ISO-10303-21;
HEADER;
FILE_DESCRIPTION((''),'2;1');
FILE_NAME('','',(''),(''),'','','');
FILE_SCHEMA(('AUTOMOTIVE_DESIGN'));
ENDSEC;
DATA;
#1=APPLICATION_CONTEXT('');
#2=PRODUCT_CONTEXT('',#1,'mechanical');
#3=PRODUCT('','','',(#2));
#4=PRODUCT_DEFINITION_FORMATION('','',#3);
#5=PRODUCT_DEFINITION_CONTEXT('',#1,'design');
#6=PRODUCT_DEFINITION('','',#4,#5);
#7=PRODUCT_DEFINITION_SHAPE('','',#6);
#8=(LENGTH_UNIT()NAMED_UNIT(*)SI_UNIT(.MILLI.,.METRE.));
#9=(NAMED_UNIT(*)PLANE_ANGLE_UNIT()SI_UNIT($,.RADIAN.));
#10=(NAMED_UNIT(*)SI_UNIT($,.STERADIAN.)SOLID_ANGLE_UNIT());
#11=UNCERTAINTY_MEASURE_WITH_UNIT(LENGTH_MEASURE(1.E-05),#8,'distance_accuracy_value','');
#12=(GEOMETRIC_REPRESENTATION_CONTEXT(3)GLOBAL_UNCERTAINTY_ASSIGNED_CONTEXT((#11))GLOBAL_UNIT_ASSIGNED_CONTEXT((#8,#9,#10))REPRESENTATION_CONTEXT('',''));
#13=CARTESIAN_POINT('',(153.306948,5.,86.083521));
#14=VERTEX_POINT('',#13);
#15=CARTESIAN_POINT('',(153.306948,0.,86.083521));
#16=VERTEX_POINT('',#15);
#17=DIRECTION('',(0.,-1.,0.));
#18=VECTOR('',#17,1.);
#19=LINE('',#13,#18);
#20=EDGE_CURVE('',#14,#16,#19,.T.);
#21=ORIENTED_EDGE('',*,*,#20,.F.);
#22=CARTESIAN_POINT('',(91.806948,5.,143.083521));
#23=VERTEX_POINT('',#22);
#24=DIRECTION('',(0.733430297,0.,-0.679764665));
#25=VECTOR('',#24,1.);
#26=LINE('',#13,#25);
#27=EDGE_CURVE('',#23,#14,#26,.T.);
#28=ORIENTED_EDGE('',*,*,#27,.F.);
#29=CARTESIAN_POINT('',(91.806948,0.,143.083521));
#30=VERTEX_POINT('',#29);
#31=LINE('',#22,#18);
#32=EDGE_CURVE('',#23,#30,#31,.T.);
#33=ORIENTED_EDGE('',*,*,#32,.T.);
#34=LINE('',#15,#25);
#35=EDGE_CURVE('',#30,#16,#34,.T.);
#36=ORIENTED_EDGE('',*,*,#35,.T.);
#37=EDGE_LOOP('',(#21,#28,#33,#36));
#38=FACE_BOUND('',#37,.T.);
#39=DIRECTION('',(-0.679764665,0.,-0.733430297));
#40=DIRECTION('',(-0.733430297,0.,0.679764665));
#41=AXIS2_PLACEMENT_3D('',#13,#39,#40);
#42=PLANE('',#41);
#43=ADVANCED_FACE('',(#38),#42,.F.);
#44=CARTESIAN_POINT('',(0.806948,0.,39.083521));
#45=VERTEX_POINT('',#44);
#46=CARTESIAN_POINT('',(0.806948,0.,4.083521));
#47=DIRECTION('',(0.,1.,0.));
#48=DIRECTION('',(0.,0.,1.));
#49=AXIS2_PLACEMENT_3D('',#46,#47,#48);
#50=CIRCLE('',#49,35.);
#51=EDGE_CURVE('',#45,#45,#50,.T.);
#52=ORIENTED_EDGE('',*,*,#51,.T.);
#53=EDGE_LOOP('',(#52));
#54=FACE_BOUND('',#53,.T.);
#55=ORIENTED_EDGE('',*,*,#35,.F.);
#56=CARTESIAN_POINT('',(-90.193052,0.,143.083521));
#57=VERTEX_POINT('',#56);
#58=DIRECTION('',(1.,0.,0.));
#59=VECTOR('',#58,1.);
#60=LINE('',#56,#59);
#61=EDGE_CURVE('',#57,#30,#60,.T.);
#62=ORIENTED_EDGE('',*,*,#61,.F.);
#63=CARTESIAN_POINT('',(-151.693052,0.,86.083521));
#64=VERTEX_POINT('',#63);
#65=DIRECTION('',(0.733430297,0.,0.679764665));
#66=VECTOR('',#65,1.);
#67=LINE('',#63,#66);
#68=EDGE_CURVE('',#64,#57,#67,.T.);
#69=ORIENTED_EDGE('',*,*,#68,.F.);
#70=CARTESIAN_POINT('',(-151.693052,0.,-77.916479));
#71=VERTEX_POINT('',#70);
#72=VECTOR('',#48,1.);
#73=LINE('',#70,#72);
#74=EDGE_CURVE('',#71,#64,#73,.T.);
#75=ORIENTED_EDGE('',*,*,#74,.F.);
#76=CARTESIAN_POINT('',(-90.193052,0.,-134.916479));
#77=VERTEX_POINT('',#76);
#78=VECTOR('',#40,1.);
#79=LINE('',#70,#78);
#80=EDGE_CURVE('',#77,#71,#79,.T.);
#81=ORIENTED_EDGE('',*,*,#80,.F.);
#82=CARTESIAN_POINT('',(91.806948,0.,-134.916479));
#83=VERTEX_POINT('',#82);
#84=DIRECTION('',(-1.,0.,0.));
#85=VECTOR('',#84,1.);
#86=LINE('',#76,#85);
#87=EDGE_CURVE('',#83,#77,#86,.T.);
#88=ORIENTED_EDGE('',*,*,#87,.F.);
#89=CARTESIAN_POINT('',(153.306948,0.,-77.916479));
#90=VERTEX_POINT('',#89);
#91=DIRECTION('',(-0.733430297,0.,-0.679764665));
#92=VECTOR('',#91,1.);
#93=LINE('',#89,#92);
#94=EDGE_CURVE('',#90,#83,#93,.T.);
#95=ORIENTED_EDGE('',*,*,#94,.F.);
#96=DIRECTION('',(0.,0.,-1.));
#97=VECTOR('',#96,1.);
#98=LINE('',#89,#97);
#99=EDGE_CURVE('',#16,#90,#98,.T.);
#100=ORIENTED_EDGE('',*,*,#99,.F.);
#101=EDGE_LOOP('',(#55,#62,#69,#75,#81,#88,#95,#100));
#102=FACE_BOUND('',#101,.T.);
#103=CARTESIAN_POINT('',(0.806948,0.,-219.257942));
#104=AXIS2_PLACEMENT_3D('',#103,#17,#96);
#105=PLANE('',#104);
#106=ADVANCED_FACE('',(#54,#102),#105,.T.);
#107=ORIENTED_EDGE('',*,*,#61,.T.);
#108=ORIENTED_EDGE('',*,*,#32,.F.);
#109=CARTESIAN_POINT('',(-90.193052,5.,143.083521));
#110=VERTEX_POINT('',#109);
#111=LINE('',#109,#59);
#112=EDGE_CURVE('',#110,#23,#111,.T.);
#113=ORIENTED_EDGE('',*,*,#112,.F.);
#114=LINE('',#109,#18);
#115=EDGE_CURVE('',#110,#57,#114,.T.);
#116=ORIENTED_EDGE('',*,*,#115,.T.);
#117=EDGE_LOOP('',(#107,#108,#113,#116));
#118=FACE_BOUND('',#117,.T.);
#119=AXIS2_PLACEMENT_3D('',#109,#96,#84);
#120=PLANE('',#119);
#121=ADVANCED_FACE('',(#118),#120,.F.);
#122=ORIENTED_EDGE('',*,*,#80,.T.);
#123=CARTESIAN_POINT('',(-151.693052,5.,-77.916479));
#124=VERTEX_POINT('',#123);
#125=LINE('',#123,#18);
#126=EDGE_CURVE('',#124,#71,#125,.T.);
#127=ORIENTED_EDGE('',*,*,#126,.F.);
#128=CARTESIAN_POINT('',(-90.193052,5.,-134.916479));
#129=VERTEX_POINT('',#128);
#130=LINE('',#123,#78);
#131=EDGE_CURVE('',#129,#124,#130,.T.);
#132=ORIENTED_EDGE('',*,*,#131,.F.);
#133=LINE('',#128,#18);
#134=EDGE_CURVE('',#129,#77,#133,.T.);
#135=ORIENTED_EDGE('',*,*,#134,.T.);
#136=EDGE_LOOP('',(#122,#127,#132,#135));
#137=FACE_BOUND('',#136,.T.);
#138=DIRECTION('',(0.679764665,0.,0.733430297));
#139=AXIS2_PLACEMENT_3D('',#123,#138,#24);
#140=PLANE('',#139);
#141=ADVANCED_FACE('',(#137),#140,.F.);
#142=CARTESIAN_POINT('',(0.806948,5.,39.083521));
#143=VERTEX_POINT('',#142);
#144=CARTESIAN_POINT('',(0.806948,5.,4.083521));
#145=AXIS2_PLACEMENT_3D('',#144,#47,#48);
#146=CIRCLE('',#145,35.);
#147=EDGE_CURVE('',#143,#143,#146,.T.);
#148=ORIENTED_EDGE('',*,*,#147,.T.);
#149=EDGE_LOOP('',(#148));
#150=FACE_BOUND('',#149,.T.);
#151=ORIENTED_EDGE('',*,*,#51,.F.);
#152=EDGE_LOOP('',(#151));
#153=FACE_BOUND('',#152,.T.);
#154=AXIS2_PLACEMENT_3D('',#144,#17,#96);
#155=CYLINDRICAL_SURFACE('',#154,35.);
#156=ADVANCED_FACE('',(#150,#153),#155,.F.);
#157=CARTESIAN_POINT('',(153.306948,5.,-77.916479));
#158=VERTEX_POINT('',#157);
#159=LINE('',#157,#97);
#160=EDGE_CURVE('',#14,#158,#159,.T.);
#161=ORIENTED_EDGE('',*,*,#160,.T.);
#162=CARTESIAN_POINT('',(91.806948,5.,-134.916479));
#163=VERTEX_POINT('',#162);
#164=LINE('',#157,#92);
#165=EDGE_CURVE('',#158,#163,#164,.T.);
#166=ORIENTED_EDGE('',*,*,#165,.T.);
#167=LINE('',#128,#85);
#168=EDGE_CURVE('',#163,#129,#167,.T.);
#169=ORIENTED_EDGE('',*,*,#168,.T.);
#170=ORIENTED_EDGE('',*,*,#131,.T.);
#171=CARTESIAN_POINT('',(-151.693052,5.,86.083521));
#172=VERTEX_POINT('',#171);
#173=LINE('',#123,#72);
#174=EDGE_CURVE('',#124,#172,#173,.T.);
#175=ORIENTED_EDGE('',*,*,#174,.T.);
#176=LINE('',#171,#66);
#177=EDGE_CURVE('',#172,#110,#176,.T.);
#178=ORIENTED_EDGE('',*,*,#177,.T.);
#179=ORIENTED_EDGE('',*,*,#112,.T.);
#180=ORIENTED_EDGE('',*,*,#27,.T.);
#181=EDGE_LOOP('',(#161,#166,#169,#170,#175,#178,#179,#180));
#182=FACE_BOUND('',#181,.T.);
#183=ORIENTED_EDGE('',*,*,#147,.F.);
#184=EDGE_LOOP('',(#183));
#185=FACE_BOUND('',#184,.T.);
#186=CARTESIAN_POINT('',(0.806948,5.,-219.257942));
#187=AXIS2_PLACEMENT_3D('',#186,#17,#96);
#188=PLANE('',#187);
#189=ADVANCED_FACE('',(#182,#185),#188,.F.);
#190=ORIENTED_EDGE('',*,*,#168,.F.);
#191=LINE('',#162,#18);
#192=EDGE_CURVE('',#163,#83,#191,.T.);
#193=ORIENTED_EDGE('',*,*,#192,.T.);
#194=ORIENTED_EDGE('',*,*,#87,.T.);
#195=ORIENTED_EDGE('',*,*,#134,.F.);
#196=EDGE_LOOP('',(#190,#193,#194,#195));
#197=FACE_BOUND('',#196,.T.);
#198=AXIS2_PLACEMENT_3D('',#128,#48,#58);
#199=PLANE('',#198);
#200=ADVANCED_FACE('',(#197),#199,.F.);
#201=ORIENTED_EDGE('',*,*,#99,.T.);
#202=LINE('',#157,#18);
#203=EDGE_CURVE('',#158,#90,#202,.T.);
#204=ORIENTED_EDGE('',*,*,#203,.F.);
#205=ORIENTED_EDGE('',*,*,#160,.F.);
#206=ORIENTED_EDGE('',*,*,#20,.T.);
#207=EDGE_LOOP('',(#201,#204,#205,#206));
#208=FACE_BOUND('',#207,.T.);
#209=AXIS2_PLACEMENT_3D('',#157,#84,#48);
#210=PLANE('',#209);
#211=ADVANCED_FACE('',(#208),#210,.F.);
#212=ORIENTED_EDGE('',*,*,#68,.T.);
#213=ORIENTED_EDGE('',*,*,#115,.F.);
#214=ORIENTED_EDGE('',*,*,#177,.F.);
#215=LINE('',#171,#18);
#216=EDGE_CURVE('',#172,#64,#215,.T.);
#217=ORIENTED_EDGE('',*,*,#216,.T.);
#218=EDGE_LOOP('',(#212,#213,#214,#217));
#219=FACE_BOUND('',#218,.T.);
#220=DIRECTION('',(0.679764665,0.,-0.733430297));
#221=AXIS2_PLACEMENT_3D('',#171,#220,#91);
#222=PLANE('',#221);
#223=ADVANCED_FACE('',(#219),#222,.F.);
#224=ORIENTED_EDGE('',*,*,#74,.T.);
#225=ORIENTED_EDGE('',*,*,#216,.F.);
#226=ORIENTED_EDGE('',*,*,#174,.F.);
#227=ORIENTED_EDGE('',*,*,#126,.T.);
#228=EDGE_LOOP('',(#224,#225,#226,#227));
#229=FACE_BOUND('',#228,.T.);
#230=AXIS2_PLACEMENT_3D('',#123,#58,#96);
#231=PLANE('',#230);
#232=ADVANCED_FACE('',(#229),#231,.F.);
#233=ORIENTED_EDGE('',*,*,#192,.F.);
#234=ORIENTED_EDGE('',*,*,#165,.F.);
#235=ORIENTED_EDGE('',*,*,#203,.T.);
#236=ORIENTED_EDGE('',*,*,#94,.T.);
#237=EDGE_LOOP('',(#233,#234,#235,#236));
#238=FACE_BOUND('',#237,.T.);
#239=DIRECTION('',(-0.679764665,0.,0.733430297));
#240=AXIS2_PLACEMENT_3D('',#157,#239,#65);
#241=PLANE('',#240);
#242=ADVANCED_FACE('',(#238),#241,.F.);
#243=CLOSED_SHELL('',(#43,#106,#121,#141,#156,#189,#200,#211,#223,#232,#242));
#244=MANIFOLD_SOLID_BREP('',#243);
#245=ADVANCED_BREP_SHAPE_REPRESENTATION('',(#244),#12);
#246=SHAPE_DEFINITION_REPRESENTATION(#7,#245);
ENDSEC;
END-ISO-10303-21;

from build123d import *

# Parameters (mm, degrees)
SKETCH_1_R      = 35
EXTRUDE_1_DEPTH = 5


with BuildPart() as part:
    # Эскиз1 → Вытянуть1 (new body)
    with BuildSketch(Plane(origin=(0, 0, 0), x_dir=(1, 0, 0), z_dir=(0, 1, 0))):
        Polygon((-151.693051502, 77.916478726), (-151.693051502, -86.083521274), (-90.193051502, -143.083521274), (91.806948498, -143.083521274), (153.306948498, -86.083521274), (153.306948498, 77.916478726), (91.806948498, 134.916478726), (-90.193051502, 134.916478726), align=None)
        with Locations(Location((0.806948498, -4.083521274, 0), (0, 0, 270))):
            Circle(SKETCH_1_R, mode=Mode.SUBTRACT)
    extrude(amount=EXTRUDE_1_DEPTH)


solid = part.part
